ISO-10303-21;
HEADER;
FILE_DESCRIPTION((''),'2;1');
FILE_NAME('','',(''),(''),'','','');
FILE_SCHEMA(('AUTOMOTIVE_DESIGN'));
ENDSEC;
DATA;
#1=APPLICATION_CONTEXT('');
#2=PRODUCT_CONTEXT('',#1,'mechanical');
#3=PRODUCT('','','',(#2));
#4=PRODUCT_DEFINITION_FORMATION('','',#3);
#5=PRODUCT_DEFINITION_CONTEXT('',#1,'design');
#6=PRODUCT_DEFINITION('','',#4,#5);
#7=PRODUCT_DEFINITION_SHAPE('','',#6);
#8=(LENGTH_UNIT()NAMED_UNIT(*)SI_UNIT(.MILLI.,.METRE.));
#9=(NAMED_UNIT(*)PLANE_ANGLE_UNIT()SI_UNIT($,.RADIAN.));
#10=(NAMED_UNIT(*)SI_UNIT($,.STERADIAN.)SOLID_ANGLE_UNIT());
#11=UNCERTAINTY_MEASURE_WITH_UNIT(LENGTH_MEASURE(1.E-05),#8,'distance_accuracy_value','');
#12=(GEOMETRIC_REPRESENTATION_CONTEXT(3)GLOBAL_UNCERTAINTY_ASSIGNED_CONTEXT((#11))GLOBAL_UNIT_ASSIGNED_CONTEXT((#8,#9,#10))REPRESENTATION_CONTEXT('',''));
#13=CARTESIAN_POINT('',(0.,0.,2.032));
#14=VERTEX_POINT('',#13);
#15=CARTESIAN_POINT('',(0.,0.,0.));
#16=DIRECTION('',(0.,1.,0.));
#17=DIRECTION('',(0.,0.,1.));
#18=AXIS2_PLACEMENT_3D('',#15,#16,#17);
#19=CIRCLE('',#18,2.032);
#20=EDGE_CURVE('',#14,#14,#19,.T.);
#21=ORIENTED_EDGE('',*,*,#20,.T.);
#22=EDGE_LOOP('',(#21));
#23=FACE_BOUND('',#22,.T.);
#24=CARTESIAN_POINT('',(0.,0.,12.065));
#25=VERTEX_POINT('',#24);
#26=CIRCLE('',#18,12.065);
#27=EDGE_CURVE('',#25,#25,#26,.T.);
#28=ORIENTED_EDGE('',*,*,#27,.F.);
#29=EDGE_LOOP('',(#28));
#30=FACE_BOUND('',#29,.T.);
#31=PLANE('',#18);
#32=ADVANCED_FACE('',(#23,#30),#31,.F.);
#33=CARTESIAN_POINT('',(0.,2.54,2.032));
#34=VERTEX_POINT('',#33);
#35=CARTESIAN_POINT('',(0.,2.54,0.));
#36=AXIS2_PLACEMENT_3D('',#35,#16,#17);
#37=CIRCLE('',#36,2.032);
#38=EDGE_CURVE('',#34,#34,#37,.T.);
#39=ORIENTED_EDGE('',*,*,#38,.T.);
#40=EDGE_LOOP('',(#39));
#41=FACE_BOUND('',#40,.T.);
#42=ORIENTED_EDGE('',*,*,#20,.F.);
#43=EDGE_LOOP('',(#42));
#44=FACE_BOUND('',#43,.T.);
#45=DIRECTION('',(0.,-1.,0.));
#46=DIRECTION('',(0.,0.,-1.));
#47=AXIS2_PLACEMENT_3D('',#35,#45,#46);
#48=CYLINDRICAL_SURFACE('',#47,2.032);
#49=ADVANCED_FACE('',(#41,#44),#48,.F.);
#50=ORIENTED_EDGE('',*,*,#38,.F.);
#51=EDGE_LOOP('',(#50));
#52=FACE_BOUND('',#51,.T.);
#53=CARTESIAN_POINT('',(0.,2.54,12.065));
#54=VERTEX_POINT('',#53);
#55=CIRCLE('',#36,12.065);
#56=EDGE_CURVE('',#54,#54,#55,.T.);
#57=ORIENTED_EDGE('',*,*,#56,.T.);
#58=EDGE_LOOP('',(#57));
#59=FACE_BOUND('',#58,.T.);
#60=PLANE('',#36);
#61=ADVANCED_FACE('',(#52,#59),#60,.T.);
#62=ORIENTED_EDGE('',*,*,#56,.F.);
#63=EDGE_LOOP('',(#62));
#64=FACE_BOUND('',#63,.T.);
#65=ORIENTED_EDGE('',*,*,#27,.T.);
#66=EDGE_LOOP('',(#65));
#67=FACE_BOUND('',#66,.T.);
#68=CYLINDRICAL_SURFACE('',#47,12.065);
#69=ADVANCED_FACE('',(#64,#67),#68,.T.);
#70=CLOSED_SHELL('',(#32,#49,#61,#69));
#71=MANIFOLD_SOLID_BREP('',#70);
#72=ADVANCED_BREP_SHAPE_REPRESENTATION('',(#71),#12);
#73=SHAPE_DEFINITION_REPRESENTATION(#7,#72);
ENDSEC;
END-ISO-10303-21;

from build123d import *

# Parameters (mm, degrees)
SKETCH1_R           = 12.065
SKETCH1_R_2         = 2.032
BOSS_EXTRUDE1_DEPTH = 2.54


with BuildPart() as part:
    # Sketch1 → Boss-Extrude1 (new body)
    with BuildSketch(Plane(origin=(0, 0, 0), x_dir=(1, 0, 0), z_dir=(0, 1, 0))):
        Circle(SKETCH1_R)
        Circle(SKETCH1_R_2, mode=Mode.SUBTRACT)
    extrude(amount=BOSS_EXTRUDE1_DEPTH)


solid = part.part
